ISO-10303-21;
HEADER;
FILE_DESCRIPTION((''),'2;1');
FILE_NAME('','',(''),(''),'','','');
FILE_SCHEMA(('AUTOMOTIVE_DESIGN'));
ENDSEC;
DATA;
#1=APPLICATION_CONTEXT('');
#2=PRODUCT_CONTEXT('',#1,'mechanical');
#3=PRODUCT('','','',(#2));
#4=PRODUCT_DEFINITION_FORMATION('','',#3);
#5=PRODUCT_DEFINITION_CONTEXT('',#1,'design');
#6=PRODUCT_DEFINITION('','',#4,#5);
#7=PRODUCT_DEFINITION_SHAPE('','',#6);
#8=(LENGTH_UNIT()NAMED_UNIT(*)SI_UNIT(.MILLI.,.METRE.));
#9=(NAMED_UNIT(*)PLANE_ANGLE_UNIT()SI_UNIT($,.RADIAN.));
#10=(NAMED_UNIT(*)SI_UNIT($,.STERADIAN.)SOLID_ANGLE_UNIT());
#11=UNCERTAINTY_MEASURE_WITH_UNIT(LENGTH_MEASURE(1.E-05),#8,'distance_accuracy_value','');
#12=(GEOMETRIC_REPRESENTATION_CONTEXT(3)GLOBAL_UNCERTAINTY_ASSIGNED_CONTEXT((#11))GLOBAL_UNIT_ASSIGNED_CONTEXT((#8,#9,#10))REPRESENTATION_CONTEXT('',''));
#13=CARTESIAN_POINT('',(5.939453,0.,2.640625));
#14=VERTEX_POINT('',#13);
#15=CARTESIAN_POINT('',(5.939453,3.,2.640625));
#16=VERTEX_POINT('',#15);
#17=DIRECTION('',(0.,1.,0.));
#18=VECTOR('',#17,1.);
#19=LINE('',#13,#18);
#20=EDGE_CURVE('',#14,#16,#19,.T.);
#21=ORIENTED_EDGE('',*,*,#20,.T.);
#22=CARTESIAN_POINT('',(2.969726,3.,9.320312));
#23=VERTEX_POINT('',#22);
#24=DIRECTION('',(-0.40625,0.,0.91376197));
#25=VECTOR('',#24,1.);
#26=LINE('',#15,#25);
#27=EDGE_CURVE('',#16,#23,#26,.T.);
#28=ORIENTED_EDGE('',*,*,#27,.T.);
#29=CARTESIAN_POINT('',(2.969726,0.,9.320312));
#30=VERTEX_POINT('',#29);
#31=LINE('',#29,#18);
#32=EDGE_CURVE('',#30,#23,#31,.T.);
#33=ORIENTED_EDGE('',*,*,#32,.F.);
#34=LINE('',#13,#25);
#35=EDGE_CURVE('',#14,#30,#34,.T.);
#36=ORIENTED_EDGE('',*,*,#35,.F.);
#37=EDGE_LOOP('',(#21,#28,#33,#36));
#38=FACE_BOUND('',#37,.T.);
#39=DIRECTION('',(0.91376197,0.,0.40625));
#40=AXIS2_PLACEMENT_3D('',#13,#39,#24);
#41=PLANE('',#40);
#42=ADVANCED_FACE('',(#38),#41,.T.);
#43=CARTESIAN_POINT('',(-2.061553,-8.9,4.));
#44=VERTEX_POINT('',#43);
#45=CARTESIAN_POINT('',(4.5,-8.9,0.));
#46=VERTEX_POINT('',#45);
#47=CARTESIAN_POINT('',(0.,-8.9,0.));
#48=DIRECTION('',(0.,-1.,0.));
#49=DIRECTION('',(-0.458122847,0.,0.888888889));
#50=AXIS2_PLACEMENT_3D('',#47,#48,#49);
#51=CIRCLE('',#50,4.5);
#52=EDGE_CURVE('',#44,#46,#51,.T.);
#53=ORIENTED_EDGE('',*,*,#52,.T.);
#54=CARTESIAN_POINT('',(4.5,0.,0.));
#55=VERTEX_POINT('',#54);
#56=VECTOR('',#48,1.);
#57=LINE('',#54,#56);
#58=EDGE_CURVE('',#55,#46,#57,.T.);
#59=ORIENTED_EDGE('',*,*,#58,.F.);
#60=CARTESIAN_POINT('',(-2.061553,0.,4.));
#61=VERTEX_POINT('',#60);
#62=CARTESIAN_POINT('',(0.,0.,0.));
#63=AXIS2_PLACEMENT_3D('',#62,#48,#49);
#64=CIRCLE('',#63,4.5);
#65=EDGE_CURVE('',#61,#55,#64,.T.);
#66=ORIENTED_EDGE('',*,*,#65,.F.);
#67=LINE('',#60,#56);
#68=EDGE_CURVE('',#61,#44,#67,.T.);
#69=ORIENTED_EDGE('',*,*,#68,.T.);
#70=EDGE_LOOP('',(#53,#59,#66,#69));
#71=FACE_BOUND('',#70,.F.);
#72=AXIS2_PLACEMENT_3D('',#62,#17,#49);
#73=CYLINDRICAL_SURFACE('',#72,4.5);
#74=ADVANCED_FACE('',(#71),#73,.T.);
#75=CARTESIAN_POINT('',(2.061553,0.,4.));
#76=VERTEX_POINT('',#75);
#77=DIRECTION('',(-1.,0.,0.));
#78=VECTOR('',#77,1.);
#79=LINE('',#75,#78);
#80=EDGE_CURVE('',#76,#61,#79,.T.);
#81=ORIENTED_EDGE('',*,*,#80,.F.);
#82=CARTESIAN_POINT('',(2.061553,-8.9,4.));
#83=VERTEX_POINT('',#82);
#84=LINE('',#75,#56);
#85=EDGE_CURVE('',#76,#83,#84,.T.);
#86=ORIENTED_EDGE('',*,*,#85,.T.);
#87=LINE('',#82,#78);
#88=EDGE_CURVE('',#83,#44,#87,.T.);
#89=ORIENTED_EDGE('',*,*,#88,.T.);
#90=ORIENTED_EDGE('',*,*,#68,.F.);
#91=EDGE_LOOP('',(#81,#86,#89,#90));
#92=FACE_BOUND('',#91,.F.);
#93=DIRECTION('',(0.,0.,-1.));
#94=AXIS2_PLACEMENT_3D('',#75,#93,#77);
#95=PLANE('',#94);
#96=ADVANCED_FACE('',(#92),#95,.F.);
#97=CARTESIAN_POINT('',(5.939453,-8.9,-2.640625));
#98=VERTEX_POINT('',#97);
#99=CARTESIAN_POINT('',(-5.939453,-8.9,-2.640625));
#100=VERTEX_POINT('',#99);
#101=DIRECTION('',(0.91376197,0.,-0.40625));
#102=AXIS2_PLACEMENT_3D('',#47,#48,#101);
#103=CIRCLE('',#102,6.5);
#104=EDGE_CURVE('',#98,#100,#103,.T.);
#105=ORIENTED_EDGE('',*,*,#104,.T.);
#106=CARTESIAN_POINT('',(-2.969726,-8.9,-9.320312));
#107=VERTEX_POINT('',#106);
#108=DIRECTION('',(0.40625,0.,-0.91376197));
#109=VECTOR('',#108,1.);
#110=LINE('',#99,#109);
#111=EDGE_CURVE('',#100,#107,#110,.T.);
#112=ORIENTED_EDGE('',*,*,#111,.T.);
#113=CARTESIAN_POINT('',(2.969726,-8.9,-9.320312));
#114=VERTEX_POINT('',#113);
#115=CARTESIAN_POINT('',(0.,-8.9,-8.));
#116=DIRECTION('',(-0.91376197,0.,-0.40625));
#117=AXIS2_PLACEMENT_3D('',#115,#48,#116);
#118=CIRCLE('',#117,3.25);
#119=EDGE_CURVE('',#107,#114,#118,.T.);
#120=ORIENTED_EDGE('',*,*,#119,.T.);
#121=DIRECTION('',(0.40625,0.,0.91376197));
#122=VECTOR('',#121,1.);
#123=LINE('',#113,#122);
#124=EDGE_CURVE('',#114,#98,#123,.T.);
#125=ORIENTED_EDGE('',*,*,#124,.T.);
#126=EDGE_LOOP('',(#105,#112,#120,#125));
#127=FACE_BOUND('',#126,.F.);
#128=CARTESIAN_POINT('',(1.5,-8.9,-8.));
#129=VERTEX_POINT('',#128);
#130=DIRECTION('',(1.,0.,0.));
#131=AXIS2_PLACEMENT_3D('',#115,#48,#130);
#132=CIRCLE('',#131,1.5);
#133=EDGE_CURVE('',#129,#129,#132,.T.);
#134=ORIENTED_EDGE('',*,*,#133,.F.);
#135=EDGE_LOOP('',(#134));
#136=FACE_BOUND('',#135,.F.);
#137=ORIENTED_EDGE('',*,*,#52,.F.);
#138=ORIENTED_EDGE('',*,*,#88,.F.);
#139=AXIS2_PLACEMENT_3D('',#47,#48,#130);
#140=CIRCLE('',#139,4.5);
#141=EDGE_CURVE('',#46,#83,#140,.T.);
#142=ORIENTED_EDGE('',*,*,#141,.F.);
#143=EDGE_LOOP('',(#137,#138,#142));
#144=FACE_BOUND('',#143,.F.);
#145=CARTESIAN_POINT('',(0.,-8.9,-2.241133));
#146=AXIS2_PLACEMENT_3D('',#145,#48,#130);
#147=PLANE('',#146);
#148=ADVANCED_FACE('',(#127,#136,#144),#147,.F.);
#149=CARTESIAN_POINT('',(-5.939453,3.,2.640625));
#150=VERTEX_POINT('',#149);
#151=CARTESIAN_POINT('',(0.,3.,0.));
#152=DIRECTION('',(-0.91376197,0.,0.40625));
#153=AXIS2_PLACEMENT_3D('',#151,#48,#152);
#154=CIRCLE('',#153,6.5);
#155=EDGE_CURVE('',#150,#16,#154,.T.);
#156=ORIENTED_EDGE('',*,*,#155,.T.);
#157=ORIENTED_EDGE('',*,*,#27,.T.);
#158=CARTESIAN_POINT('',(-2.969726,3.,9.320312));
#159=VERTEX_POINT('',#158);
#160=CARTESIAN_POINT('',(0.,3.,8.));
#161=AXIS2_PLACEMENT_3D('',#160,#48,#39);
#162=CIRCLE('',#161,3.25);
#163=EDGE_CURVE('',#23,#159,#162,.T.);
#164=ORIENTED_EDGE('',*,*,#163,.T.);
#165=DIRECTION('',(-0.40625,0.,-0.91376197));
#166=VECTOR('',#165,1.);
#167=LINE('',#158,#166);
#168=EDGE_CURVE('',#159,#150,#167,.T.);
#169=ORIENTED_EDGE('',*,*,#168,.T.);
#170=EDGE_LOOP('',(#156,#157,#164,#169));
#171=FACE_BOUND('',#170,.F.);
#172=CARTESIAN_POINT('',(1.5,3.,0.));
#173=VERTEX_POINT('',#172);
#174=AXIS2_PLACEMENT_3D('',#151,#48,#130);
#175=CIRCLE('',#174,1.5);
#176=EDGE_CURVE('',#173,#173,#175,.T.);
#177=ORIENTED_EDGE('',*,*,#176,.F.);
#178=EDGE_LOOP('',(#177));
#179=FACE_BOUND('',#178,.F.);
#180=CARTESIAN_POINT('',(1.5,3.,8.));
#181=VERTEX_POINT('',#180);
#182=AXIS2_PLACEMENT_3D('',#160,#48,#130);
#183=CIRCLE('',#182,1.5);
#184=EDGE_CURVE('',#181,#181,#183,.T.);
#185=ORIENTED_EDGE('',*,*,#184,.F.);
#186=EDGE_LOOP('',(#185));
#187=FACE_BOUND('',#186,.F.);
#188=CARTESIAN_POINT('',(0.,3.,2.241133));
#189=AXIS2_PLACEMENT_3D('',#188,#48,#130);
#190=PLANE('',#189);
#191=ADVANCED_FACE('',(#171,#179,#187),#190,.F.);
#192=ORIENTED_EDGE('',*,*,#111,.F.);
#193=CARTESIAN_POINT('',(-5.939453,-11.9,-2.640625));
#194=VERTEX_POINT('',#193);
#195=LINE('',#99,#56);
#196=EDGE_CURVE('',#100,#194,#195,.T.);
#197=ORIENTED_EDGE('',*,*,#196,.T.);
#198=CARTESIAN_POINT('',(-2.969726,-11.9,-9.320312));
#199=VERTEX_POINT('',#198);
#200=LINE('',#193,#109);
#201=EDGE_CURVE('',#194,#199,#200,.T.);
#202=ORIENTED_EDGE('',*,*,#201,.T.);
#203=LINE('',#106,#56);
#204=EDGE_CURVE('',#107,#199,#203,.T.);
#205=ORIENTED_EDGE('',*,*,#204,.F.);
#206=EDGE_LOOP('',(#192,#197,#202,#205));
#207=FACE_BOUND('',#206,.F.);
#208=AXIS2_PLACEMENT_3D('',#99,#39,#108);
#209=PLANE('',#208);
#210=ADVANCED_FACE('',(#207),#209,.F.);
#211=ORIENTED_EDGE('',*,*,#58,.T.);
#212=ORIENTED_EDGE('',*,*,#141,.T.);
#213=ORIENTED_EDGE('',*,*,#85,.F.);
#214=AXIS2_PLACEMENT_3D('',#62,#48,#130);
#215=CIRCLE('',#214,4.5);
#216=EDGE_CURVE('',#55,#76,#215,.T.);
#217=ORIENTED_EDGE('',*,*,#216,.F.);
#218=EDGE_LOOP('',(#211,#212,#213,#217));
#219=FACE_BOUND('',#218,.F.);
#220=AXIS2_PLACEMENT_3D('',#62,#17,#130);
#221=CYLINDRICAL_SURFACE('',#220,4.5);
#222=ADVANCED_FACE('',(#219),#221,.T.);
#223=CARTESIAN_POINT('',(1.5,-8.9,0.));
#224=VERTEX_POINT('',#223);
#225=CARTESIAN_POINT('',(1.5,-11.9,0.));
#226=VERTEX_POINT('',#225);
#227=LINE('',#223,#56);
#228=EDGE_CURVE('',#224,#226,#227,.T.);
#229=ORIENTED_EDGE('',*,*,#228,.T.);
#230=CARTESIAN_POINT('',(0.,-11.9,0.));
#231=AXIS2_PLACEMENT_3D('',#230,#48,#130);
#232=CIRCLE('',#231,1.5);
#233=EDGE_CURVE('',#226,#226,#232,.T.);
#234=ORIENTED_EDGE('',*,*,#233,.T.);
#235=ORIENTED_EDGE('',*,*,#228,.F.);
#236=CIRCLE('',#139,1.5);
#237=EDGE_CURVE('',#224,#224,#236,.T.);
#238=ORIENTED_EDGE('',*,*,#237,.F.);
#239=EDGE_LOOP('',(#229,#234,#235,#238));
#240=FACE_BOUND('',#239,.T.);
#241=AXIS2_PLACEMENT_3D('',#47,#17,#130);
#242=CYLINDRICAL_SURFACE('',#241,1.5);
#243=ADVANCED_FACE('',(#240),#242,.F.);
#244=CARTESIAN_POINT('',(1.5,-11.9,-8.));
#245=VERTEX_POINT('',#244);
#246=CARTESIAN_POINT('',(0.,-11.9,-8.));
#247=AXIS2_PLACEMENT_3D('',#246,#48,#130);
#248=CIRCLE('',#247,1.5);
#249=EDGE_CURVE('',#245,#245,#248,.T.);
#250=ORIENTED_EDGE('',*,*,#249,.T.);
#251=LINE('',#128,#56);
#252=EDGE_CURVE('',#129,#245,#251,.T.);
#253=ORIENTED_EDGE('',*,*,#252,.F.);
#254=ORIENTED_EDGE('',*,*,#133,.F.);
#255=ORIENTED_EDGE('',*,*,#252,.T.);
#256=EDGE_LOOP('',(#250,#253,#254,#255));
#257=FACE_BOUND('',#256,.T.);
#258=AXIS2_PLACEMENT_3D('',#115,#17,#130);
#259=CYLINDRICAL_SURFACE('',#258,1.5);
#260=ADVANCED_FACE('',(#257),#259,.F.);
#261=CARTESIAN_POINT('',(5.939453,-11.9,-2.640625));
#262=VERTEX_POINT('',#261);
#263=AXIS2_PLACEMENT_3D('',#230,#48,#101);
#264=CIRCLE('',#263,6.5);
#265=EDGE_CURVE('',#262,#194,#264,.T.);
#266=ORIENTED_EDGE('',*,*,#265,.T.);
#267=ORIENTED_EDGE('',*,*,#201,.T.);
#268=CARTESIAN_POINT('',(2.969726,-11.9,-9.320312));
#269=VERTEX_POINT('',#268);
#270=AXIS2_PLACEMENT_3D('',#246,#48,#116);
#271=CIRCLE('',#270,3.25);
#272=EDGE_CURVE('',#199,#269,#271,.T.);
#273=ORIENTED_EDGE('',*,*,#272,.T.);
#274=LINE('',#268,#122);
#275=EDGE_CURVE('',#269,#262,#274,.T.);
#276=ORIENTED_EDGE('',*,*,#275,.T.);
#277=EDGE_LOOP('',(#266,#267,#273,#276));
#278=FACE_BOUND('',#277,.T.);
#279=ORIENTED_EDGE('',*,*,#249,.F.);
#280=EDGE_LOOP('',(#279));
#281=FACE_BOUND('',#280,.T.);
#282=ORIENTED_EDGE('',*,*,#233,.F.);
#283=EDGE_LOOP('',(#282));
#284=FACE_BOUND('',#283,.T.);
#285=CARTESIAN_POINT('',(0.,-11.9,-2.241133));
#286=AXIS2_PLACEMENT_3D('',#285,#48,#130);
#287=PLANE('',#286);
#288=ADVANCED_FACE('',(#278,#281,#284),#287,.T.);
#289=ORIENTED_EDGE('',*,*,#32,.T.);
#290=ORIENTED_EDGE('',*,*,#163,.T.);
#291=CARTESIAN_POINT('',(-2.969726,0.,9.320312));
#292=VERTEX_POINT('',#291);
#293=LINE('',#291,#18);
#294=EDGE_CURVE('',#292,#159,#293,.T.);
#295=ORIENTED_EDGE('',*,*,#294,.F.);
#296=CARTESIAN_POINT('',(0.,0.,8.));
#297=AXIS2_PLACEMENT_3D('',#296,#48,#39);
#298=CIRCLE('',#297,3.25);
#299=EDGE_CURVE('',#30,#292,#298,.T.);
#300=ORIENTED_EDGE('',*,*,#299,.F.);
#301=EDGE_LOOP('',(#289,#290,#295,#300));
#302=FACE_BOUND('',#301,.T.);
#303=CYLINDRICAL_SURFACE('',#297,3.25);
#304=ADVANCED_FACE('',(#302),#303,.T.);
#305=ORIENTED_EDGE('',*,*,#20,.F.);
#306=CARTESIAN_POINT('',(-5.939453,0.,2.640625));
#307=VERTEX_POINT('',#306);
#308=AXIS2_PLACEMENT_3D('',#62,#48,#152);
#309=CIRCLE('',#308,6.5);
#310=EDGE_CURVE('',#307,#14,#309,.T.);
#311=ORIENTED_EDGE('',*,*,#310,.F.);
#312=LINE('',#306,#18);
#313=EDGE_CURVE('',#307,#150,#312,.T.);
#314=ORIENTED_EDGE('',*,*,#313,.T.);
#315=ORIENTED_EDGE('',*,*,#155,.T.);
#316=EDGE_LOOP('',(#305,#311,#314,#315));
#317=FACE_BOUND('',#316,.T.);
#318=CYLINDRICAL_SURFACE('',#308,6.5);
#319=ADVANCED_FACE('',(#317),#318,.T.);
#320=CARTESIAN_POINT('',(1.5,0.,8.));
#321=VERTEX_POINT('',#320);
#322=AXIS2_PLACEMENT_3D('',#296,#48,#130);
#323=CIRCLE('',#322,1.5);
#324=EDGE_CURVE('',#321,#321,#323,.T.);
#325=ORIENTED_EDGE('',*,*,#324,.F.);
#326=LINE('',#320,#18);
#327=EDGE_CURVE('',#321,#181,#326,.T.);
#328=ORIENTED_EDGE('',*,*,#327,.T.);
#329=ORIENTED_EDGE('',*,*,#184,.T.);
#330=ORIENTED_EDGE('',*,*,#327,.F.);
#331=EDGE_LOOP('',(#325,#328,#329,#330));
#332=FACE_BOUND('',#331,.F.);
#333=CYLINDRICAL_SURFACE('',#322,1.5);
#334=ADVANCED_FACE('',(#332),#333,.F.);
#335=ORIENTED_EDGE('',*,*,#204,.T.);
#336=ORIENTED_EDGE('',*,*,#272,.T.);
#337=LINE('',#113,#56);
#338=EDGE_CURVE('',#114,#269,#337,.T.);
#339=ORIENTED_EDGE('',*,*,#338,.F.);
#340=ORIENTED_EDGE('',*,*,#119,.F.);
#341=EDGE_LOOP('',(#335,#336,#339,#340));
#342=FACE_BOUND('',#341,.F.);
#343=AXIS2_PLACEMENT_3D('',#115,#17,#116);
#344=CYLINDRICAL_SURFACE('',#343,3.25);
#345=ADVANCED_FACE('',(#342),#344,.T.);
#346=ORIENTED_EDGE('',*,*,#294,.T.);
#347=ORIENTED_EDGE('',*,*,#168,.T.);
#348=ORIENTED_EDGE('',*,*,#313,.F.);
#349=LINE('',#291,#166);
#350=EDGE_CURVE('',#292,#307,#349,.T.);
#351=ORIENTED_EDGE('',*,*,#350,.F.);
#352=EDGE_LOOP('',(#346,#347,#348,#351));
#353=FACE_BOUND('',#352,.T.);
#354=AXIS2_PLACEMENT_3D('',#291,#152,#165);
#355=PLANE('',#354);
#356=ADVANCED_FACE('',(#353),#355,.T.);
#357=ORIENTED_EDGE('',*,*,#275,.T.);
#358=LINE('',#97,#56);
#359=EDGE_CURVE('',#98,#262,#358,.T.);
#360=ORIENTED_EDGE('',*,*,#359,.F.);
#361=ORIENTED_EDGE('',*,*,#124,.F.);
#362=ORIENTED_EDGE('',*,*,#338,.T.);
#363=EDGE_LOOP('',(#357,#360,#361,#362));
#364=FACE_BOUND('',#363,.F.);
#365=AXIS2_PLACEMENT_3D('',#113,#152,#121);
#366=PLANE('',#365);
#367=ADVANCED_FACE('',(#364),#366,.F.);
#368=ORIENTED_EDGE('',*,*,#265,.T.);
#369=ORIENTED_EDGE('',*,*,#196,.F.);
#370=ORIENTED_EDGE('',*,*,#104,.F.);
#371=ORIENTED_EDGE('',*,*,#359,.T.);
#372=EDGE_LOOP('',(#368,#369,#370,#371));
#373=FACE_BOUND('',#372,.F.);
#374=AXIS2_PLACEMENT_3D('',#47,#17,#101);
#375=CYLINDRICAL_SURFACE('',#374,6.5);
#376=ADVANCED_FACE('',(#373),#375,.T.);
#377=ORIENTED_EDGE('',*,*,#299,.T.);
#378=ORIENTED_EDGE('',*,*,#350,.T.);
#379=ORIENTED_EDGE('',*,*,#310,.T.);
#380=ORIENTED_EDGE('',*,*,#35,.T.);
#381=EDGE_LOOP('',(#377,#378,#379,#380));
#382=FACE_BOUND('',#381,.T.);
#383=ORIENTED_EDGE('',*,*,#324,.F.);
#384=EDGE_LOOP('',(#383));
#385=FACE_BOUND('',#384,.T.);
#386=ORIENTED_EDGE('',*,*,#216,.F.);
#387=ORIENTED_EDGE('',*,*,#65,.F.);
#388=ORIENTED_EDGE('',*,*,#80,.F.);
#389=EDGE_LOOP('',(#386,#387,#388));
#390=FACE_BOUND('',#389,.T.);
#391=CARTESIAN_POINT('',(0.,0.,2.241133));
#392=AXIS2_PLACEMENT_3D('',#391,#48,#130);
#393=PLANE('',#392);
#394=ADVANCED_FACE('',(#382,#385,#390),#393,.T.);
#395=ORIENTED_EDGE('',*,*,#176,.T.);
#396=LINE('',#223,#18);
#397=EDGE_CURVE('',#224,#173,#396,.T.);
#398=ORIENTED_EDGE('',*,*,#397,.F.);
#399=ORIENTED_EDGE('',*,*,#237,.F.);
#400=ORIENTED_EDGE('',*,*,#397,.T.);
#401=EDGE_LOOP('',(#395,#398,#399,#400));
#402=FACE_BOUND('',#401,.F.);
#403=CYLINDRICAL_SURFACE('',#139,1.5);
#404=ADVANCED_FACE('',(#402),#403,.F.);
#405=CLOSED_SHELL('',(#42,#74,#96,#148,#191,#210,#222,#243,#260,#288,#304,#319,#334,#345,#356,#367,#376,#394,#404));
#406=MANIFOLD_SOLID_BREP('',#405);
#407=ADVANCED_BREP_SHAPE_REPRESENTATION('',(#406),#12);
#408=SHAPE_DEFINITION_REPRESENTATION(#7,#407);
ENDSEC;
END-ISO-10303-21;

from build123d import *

# Parameters (mm, degrees)
F0_R     = 1.5
F1_DEPTH = 3
F3_DEPTH = 8.9
F4_R     = 1.5
F5_DEPTH = 20
F6_R     = 1.5
F7_DEPTH = 3


with BuildPart() as f1:
    # F0 (on Front) → F1 (new body)
    with BuildSketch(Plane.XZ):
        with BuildLine():
            Line((5.9394528039, 2.640625), (2.9697264019, 9.3203125))
            ThreePointArc((2.9697264019, 9.3203125), (0, 11.25), (-2.9697264019, 9.3203125))
            Line((-2.9697264019, 9.3203125), (-5.9394528039, 2.640625))
            ThreePointArc((-5.9394528039, 2.640625), (0, -6.5), (5.9394528039, 2.640625))
        make_face()
        with Locations((0, 8)):
            Circle(F0_R, mode=Mode.SUBTRACT)
    extrude(amount=-F1_DEPTH)

    # F2 (on face) → F3 (join)
    with BuildSketch(Plane.XZ):
        with BuildLine():
            ThreePointArc((-2.0615528128, 4), (-2.3423292192, -3.8423292192), (4.5, 0))
            ThreePointArc((4.5, 0), (3.8423292192, 2.3423292192), (2.0615528128, 4))
            Line((2.0615528128, 4), (-2.0615528128, 4))
        make_face()
    extrude(amount=F3_DEPTH)

    # F4 (on face) → F5 (cut)
    with BuildSketch(Plane.XZ.offset(8.9)):
        Circle(F4_R)
    extrude(amount=-F5_DEPTH, mode=Mode.SUBTRACT)

    # F6 (on face) → F7 (join)
    with BuildSketch(Plane.XZ.offset(8.9)):
        with BuildLine():
            Line((-5.9394528039, -2.640625), (-2.9697264019, -9.3203125))
            ThreePointArc((-2.9697264019, -9.3203125), (0, -11.25), (2.9697264019, -9.3203125))
            Line((2.9697264019, -9.3203125), (5.9394528039, -2.640625))
            ThreePointArc((5.9394528039, -2.640625), (0, 6.5), (-5.9394528039, -2.640625))
        make_face()
        with Locations((0, -8)):
            Circle(F6_R, mode=Mode.SUBTRACT)
        with BuildLine():
            Line((-2.0615528128, 4), (2.0615528128, 4))
            ThreePointArc((2.0615528128, 4), (3.8423292192, 2.3423292192), (4.5, 0))
            ThreePointArc((4.5, 0), (-2.3423292192, -3.8423292192), (-2.0615528128, 4))
        make_face(mode=Mode.SUBTRACT)
        with BuildLine():
            ThreePointArc((4.5, 0), (3.8423292192, 2.3423292192), (2.0615528128, 4))
            Line((2.0615528128, 4), (-2.0615528128, 4))
            ThreePointArc((-2.0615528128, 4), (-2.3423292192, -3.8423292192), (4.5, 0))
        make_face()
        Circle(F6_R, mode=Mode.SUBTRACT)
    extrude(amount=F7_DEPTH)


solid = f1.part
